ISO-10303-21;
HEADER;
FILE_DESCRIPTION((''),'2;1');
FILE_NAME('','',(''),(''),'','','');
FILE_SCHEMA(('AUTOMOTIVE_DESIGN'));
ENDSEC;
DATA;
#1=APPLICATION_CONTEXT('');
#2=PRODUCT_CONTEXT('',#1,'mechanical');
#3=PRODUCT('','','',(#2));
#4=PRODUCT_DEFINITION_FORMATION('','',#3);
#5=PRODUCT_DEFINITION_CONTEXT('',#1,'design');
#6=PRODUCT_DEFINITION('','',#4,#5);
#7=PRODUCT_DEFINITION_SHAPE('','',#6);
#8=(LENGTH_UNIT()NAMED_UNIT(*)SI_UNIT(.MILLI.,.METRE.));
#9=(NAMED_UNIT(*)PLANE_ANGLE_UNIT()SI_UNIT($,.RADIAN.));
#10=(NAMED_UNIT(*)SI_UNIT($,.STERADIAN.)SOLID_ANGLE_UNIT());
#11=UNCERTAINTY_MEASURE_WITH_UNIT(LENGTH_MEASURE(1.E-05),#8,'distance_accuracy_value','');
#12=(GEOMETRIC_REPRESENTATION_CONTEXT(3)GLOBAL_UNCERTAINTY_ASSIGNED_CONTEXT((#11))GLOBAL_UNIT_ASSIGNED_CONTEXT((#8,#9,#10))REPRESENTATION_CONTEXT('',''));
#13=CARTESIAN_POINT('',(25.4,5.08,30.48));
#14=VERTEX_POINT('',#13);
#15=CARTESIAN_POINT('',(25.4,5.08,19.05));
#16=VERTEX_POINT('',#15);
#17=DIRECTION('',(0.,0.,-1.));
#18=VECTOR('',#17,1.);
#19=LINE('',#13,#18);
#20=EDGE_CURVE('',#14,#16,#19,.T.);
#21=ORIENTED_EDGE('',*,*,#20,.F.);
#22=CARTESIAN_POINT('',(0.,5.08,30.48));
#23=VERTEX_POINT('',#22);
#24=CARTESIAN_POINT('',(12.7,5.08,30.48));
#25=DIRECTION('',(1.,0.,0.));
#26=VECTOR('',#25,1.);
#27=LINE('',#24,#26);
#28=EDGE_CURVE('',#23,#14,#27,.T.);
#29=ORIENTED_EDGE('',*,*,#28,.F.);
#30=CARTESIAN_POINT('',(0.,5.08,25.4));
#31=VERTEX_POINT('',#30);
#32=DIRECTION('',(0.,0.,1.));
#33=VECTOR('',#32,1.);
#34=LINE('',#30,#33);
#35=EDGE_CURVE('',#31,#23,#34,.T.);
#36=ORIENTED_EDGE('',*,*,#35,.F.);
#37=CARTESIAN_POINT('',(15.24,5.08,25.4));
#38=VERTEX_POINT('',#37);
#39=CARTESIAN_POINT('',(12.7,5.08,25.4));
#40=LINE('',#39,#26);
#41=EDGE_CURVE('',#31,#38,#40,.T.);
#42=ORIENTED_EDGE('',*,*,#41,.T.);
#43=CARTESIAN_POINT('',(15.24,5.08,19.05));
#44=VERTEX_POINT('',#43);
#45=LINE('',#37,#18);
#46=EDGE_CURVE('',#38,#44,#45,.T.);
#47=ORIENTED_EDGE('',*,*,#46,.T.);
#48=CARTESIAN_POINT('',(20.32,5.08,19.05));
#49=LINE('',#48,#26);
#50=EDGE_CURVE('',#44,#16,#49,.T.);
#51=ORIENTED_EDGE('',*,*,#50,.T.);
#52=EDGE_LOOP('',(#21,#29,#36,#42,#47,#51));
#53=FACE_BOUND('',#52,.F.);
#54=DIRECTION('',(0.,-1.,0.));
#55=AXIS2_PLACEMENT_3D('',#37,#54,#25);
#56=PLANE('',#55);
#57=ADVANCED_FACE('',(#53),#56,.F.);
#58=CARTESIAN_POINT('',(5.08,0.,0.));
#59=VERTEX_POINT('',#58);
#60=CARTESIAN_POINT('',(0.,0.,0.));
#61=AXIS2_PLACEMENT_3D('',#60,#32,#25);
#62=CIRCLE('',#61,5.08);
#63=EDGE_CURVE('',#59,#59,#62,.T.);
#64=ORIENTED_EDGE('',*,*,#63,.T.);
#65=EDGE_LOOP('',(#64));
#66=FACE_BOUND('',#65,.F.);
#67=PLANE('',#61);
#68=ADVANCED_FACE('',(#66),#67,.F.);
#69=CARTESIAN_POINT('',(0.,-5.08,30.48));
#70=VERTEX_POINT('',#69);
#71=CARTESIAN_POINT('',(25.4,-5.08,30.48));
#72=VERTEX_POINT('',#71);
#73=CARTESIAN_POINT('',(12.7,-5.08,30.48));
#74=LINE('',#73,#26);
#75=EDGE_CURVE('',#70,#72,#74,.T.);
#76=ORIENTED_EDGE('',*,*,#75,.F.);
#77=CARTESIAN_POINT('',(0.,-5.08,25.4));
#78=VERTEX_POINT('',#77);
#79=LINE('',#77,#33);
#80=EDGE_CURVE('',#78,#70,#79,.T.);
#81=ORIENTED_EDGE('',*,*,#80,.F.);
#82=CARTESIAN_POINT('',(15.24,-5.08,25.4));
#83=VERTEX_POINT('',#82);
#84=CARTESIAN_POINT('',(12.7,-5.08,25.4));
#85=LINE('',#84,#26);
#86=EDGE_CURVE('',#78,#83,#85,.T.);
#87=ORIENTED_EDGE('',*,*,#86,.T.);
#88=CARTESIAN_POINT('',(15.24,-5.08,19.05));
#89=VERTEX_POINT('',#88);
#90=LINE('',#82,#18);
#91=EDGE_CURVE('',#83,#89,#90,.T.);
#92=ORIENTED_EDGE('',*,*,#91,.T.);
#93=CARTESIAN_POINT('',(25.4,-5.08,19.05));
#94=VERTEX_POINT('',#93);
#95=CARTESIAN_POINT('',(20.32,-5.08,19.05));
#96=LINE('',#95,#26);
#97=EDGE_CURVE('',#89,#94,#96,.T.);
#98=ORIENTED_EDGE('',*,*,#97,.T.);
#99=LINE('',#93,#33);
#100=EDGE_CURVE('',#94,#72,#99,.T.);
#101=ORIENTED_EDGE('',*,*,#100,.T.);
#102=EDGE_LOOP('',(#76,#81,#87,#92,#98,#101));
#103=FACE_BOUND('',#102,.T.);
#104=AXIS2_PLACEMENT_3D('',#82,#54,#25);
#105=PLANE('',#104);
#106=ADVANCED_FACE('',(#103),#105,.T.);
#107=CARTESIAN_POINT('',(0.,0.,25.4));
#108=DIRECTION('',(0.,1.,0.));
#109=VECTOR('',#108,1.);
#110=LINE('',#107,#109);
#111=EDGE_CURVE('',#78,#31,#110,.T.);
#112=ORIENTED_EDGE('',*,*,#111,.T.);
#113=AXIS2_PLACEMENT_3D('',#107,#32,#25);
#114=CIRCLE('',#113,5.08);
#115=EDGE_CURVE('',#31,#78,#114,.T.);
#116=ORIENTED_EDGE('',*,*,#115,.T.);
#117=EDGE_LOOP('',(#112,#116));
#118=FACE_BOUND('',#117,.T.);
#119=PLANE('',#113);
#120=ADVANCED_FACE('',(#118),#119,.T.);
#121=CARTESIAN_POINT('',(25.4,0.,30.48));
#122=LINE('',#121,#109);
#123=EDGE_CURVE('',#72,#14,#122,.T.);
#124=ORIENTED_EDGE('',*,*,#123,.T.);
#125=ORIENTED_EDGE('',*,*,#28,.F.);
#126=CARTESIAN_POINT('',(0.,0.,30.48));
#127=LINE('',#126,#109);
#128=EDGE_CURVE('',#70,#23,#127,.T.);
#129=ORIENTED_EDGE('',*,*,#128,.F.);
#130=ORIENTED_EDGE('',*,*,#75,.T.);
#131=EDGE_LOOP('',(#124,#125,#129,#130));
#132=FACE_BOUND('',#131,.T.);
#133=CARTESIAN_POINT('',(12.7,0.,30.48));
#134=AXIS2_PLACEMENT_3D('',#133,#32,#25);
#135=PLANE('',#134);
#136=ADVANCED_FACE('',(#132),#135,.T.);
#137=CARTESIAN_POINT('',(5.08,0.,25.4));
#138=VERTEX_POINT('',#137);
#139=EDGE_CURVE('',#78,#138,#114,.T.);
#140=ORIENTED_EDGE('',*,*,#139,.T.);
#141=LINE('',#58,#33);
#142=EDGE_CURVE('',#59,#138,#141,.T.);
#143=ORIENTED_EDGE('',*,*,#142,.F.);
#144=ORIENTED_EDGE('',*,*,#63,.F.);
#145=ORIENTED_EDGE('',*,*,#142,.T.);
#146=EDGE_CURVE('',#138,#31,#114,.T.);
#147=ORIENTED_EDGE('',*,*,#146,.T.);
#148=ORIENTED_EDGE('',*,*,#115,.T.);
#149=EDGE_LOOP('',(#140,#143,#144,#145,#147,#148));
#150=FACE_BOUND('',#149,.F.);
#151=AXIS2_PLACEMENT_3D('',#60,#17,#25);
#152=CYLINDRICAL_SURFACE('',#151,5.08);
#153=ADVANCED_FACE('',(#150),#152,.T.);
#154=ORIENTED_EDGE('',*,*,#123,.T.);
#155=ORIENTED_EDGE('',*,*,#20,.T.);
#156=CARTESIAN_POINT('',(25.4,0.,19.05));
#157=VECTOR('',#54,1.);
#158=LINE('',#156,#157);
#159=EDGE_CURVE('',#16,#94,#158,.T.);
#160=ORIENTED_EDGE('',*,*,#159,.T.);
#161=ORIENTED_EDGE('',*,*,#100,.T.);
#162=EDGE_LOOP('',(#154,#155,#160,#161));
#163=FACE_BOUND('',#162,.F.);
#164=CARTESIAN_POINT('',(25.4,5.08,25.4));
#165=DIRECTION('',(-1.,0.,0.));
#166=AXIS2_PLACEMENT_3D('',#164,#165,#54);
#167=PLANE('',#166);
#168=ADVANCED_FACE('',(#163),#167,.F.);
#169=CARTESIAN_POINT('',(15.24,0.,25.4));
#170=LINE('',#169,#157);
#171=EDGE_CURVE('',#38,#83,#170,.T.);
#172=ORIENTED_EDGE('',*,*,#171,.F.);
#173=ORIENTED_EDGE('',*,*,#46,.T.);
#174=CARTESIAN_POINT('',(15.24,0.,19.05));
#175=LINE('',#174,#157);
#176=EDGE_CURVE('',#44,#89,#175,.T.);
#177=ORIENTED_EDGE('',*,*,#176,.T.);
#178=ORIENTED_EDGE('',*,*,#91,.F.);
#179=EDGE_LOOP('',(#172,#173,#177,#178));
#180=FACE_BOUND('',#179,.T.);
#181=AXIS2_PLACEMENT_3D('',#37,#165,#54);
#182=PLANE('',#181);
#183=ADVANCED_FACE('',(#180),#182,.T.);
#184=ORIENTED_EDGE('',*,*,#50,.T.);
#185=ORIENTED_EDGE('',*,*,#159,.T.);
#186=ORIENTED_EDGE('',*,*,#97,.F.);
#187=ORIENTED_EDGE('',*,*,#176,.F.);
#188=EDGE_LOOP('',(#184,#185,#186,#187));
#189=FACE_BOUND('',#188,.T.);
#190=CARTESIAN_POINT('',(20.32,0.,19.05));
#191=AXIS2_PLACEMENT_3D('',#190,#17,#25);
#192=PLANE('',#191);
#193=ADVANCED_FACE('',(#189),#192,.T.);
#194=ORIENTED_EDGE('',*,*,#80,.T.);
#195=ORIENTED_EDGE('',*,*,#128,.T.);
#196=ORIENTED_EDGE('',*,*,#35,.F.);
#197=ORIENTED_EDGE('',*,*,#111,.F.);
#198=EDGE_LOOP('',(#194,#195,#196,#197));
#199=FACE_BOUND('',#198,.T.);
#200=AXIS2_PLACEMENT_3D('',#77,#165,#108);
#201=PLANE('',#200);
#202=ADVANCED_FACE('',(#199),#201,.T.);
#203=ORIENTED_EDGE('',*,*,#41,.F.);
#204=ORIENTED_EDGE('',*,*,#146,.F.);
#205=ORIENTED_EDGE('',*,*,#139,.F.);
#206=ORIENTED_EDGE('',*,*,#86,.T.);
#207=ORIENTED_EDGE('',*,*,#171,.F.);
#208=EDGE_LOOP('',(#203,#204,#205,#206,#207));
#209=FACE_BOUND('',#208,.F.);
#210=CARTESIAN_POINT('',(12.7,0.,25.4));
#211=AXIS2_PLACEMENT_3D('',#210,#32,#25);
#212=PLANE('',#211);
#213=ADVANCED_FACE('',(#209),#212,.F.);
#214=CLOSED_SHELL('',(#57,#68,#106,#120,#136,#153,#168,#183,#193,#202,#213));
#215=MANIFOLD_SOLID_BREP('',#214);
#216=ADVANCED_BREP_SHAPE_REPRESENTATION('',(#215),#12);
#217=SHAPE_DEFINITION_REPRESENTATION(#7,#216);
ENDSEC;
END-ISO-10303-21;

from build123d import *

# Parameters (mm, degrees)
F0_R     = 5.08
F1_DEPTH = 25.4
F2_W     = 25.4
F2_H     = 10.16
F3_DEPTH = 5.08
F4_W     = 10.16
F4_H     = 10.16
F5_DEPTH = 6.35


with BuildPart() as f1:
    # F0 (on Top) → F1 (new body)
    with BuildSketch(Plane.XY):
        Circle(F0_R)
    extrude(amount=F1_DEPTH)

    # F2 (on face) → F3 (join)
    with BuildSketch(Plane.XY.offset(25.4)):
        with Locations((12.7, 0)):
            Rectangle(F2_W, F2_H)
    extrude(amount=F3_DEPTH)

    # F4 (on face) → F5 (join)
    with BuildSketch(Plane(origin=(0, 0, 25.4), x_dir=(1, 0, 0), z_dir=(0, 0, -1))):
        with Locations((20.32, 0)):
            Rectangle(F4_W, F4_H)
    extrude(amount=F5_DEPTH)


solid = f1.part
